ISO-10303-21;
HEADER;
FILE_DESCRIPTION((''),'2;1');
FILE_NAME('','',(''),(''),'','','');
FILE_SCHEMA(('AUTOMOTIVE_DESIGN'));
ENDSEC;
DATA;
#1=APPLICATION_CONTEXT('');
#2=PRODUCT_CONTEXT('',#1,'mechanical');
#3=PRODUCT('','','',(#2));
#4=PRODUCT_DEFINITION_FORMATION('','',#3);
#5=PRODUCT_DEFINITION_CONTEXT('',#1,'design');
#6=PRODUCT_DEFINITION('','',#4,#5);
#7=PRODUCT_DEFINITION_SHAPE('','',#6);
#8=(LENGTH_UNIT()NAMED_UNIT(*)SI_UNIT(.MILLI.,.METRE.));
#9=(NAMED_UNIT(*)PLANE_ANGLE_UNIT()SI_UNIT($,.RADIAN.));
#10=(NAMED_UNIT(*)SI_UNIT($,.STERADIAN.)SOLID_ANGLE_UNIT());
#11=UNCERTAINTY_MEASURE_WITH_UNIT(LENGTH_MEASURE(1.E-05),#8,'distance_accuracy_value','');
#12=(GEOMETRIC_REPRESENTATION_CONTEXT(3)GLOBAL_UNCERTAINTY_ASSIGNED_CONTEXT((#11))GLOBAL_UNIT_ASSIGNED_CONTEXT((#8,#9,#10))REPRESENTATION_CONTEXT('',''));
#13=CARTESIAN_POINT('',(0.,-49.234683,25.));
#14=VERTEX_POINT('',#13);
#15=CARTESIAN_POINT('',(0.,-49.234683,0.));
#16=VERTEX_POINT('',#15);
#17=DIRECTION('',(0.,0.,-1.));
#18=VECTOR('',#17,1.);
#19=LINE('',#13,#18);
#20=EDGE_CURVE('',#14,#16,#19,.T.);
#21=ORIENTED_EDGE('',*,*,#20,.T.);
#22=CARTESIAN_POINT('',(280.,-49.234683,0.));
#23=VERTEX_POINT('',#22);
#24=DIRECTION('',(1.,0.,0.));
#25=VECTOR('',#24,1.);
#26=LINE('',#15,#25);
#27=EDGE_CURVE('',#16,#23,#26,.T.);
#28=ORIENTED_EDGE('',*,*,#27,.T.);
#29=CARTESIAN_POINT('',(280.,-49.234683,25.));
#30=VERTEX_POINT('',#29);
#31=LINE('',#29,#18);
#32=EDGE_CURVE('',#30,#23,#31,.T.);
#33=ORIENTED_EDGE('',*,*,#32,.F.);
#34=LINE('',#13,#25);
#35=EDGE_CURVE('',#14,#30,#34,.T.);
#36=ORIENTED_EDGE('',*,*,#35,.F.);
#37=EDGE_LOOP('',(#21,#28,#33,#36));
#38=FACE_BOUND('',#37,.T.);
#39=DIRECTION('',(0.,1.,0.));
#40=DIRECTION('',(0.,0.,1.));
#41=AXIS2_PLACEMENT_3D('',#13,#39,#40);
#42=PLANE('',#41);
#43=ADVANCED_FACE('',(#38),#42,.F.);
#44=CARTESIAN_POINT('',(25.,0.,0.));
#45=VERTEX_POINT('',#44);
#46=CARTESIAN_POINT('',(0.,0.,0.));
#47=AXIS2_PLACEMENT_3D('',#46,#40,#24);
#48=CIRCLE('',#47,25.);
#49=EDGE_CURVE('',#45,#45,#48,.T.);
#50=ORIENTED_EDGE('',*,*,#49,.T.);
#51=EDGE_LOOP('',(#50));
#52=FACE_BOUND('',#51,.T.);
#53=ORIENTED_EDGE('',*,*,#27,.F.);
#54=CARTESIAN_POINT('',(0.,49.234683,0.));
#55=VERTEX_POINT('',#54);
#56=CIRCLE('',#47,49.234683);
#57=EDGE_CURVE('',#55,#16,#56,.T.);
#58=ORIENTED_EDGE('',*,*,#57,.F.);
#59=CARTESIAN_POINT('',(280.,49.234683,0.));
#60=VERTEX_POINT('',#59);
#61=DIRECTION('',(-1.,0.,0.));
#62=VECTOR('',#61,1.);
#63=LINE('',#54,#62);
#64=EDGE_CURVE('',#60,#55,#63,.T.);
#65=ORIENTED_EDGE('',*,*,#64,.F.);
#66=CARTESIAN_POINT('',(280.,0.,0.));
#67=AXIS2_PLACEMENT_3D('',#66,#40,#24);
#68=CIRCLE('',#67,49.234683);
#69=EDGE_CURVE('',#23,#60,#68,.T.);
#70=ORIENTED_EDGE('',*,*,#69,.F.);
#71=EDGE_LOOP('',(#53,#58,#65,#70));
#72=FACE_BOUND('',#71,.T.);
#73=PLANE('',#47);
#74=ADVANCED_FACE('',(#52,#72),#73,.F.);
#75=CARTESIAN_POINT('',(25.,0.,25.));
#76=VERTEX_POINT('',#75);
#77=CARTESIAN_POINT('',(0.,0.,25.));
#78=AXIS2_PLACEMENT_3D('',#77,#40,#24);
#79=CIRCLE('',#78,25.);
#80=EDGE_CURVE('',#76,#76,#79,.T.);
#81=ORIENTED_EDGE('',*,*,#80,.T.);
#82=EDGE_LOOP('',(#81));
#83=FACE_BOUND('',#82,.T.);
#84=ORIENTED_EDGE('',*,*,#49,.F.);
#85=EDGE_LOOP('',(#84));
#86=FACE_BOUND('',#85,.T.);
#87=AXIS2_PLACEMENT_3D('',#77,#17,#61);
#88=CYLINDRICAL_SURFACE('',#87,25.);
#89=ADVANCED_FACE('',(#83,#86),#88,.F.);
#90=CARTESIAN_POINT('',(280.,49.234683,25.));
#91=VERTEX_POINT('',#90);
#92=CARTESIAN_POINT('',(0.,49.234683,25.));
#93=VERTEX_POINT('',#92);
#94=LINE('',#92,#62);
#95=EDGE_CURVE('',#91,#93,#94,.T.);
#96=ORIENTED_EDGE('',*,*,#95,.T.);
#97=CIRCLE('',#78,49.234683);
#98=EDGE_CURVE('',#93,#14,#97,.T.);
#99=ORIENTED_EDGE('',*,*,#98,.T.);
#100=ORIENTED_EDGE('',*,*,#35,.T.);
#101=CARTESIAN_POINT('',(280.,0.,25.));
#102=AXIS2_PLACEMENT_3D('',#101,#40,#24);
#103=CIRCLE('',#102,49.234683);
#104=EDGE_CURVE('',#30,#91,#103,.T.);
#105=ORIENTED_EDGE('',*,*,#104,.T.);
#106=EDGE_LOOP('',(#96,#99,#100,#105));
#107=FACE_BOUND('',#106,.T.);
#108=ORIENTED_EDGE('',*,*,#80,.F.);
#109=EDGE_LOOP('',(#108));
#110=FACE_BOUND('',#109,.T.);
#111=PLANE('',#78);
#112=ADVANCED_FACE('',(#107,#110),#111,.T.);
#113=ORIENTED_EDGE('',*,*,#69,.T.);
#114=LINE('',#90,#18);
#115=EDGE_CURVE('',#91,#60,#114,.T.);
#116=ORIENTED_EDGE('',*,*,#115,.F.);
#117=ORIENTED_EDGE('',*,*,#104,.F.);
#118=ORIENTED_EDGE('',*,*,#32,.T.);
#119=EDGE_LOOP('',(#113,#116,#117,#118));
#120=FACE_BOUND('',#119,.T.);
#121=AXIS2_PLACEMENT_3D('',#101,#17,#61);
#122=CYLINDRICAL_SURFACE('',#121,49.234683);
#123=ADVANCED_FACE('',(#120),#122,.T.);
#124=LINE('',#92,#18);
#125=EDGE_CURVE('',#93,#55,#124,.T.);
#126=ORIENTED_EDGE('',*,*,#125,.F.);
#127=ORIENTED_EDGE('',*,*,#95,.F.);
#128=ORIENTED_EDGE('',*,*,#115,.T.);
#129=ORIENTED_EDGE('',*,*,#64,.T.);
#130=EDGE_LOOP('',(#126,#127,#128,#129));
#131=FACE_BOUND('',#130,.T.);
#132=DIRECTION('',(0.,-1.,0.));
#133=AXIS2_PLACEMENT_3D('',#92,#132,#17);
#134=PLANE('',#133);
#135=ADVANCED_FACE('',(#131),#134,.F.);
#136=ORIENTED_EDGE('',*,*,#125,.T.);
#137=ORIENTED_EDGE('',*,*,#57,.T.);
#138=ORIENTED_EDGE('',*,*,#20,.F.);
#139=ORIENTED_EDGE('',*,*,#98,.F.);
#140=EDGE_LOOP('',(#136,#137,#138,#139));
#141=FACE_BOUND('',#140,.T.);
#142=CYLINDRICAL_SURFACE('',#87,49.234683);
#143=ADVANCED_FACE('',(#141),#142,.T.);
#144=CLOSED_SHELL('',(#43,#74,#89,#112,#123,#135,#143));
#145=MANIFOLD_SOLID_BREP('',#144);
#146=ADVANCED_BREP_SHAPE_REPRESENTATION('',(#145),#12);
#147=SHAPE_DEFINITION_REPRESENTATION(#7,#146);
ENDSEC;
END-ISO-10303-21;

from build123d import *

# Parameters (mm, degrees)
SKETCH2_R           = 25
BOSS_EXTRUDE2_DEPTH = 25


with BuildPart() as part:
    # Sketch2 → Boss-Extrude2 (new body)
    with BuildSketch(Plane.XY):
        with BuildLine():
            Line((0, 49.234682879), (280, 49.234682879))
            ThreePointArc((280, 49.234682879), (329.234682879, 0), (280, -49.234682879))
            Line((280, -49.234682879), (0, -49.234682879))
            ThreePointArc((0, -49.234682879), (-49.234682879, 0), (0, 49.234682879))
        make_face()
        Circle(SKETCH2_R, mode=Mode.SUBTRACT)
    extrude(amount=BOSS_EXTRUDE2_DEPTH)


solid = part.part
